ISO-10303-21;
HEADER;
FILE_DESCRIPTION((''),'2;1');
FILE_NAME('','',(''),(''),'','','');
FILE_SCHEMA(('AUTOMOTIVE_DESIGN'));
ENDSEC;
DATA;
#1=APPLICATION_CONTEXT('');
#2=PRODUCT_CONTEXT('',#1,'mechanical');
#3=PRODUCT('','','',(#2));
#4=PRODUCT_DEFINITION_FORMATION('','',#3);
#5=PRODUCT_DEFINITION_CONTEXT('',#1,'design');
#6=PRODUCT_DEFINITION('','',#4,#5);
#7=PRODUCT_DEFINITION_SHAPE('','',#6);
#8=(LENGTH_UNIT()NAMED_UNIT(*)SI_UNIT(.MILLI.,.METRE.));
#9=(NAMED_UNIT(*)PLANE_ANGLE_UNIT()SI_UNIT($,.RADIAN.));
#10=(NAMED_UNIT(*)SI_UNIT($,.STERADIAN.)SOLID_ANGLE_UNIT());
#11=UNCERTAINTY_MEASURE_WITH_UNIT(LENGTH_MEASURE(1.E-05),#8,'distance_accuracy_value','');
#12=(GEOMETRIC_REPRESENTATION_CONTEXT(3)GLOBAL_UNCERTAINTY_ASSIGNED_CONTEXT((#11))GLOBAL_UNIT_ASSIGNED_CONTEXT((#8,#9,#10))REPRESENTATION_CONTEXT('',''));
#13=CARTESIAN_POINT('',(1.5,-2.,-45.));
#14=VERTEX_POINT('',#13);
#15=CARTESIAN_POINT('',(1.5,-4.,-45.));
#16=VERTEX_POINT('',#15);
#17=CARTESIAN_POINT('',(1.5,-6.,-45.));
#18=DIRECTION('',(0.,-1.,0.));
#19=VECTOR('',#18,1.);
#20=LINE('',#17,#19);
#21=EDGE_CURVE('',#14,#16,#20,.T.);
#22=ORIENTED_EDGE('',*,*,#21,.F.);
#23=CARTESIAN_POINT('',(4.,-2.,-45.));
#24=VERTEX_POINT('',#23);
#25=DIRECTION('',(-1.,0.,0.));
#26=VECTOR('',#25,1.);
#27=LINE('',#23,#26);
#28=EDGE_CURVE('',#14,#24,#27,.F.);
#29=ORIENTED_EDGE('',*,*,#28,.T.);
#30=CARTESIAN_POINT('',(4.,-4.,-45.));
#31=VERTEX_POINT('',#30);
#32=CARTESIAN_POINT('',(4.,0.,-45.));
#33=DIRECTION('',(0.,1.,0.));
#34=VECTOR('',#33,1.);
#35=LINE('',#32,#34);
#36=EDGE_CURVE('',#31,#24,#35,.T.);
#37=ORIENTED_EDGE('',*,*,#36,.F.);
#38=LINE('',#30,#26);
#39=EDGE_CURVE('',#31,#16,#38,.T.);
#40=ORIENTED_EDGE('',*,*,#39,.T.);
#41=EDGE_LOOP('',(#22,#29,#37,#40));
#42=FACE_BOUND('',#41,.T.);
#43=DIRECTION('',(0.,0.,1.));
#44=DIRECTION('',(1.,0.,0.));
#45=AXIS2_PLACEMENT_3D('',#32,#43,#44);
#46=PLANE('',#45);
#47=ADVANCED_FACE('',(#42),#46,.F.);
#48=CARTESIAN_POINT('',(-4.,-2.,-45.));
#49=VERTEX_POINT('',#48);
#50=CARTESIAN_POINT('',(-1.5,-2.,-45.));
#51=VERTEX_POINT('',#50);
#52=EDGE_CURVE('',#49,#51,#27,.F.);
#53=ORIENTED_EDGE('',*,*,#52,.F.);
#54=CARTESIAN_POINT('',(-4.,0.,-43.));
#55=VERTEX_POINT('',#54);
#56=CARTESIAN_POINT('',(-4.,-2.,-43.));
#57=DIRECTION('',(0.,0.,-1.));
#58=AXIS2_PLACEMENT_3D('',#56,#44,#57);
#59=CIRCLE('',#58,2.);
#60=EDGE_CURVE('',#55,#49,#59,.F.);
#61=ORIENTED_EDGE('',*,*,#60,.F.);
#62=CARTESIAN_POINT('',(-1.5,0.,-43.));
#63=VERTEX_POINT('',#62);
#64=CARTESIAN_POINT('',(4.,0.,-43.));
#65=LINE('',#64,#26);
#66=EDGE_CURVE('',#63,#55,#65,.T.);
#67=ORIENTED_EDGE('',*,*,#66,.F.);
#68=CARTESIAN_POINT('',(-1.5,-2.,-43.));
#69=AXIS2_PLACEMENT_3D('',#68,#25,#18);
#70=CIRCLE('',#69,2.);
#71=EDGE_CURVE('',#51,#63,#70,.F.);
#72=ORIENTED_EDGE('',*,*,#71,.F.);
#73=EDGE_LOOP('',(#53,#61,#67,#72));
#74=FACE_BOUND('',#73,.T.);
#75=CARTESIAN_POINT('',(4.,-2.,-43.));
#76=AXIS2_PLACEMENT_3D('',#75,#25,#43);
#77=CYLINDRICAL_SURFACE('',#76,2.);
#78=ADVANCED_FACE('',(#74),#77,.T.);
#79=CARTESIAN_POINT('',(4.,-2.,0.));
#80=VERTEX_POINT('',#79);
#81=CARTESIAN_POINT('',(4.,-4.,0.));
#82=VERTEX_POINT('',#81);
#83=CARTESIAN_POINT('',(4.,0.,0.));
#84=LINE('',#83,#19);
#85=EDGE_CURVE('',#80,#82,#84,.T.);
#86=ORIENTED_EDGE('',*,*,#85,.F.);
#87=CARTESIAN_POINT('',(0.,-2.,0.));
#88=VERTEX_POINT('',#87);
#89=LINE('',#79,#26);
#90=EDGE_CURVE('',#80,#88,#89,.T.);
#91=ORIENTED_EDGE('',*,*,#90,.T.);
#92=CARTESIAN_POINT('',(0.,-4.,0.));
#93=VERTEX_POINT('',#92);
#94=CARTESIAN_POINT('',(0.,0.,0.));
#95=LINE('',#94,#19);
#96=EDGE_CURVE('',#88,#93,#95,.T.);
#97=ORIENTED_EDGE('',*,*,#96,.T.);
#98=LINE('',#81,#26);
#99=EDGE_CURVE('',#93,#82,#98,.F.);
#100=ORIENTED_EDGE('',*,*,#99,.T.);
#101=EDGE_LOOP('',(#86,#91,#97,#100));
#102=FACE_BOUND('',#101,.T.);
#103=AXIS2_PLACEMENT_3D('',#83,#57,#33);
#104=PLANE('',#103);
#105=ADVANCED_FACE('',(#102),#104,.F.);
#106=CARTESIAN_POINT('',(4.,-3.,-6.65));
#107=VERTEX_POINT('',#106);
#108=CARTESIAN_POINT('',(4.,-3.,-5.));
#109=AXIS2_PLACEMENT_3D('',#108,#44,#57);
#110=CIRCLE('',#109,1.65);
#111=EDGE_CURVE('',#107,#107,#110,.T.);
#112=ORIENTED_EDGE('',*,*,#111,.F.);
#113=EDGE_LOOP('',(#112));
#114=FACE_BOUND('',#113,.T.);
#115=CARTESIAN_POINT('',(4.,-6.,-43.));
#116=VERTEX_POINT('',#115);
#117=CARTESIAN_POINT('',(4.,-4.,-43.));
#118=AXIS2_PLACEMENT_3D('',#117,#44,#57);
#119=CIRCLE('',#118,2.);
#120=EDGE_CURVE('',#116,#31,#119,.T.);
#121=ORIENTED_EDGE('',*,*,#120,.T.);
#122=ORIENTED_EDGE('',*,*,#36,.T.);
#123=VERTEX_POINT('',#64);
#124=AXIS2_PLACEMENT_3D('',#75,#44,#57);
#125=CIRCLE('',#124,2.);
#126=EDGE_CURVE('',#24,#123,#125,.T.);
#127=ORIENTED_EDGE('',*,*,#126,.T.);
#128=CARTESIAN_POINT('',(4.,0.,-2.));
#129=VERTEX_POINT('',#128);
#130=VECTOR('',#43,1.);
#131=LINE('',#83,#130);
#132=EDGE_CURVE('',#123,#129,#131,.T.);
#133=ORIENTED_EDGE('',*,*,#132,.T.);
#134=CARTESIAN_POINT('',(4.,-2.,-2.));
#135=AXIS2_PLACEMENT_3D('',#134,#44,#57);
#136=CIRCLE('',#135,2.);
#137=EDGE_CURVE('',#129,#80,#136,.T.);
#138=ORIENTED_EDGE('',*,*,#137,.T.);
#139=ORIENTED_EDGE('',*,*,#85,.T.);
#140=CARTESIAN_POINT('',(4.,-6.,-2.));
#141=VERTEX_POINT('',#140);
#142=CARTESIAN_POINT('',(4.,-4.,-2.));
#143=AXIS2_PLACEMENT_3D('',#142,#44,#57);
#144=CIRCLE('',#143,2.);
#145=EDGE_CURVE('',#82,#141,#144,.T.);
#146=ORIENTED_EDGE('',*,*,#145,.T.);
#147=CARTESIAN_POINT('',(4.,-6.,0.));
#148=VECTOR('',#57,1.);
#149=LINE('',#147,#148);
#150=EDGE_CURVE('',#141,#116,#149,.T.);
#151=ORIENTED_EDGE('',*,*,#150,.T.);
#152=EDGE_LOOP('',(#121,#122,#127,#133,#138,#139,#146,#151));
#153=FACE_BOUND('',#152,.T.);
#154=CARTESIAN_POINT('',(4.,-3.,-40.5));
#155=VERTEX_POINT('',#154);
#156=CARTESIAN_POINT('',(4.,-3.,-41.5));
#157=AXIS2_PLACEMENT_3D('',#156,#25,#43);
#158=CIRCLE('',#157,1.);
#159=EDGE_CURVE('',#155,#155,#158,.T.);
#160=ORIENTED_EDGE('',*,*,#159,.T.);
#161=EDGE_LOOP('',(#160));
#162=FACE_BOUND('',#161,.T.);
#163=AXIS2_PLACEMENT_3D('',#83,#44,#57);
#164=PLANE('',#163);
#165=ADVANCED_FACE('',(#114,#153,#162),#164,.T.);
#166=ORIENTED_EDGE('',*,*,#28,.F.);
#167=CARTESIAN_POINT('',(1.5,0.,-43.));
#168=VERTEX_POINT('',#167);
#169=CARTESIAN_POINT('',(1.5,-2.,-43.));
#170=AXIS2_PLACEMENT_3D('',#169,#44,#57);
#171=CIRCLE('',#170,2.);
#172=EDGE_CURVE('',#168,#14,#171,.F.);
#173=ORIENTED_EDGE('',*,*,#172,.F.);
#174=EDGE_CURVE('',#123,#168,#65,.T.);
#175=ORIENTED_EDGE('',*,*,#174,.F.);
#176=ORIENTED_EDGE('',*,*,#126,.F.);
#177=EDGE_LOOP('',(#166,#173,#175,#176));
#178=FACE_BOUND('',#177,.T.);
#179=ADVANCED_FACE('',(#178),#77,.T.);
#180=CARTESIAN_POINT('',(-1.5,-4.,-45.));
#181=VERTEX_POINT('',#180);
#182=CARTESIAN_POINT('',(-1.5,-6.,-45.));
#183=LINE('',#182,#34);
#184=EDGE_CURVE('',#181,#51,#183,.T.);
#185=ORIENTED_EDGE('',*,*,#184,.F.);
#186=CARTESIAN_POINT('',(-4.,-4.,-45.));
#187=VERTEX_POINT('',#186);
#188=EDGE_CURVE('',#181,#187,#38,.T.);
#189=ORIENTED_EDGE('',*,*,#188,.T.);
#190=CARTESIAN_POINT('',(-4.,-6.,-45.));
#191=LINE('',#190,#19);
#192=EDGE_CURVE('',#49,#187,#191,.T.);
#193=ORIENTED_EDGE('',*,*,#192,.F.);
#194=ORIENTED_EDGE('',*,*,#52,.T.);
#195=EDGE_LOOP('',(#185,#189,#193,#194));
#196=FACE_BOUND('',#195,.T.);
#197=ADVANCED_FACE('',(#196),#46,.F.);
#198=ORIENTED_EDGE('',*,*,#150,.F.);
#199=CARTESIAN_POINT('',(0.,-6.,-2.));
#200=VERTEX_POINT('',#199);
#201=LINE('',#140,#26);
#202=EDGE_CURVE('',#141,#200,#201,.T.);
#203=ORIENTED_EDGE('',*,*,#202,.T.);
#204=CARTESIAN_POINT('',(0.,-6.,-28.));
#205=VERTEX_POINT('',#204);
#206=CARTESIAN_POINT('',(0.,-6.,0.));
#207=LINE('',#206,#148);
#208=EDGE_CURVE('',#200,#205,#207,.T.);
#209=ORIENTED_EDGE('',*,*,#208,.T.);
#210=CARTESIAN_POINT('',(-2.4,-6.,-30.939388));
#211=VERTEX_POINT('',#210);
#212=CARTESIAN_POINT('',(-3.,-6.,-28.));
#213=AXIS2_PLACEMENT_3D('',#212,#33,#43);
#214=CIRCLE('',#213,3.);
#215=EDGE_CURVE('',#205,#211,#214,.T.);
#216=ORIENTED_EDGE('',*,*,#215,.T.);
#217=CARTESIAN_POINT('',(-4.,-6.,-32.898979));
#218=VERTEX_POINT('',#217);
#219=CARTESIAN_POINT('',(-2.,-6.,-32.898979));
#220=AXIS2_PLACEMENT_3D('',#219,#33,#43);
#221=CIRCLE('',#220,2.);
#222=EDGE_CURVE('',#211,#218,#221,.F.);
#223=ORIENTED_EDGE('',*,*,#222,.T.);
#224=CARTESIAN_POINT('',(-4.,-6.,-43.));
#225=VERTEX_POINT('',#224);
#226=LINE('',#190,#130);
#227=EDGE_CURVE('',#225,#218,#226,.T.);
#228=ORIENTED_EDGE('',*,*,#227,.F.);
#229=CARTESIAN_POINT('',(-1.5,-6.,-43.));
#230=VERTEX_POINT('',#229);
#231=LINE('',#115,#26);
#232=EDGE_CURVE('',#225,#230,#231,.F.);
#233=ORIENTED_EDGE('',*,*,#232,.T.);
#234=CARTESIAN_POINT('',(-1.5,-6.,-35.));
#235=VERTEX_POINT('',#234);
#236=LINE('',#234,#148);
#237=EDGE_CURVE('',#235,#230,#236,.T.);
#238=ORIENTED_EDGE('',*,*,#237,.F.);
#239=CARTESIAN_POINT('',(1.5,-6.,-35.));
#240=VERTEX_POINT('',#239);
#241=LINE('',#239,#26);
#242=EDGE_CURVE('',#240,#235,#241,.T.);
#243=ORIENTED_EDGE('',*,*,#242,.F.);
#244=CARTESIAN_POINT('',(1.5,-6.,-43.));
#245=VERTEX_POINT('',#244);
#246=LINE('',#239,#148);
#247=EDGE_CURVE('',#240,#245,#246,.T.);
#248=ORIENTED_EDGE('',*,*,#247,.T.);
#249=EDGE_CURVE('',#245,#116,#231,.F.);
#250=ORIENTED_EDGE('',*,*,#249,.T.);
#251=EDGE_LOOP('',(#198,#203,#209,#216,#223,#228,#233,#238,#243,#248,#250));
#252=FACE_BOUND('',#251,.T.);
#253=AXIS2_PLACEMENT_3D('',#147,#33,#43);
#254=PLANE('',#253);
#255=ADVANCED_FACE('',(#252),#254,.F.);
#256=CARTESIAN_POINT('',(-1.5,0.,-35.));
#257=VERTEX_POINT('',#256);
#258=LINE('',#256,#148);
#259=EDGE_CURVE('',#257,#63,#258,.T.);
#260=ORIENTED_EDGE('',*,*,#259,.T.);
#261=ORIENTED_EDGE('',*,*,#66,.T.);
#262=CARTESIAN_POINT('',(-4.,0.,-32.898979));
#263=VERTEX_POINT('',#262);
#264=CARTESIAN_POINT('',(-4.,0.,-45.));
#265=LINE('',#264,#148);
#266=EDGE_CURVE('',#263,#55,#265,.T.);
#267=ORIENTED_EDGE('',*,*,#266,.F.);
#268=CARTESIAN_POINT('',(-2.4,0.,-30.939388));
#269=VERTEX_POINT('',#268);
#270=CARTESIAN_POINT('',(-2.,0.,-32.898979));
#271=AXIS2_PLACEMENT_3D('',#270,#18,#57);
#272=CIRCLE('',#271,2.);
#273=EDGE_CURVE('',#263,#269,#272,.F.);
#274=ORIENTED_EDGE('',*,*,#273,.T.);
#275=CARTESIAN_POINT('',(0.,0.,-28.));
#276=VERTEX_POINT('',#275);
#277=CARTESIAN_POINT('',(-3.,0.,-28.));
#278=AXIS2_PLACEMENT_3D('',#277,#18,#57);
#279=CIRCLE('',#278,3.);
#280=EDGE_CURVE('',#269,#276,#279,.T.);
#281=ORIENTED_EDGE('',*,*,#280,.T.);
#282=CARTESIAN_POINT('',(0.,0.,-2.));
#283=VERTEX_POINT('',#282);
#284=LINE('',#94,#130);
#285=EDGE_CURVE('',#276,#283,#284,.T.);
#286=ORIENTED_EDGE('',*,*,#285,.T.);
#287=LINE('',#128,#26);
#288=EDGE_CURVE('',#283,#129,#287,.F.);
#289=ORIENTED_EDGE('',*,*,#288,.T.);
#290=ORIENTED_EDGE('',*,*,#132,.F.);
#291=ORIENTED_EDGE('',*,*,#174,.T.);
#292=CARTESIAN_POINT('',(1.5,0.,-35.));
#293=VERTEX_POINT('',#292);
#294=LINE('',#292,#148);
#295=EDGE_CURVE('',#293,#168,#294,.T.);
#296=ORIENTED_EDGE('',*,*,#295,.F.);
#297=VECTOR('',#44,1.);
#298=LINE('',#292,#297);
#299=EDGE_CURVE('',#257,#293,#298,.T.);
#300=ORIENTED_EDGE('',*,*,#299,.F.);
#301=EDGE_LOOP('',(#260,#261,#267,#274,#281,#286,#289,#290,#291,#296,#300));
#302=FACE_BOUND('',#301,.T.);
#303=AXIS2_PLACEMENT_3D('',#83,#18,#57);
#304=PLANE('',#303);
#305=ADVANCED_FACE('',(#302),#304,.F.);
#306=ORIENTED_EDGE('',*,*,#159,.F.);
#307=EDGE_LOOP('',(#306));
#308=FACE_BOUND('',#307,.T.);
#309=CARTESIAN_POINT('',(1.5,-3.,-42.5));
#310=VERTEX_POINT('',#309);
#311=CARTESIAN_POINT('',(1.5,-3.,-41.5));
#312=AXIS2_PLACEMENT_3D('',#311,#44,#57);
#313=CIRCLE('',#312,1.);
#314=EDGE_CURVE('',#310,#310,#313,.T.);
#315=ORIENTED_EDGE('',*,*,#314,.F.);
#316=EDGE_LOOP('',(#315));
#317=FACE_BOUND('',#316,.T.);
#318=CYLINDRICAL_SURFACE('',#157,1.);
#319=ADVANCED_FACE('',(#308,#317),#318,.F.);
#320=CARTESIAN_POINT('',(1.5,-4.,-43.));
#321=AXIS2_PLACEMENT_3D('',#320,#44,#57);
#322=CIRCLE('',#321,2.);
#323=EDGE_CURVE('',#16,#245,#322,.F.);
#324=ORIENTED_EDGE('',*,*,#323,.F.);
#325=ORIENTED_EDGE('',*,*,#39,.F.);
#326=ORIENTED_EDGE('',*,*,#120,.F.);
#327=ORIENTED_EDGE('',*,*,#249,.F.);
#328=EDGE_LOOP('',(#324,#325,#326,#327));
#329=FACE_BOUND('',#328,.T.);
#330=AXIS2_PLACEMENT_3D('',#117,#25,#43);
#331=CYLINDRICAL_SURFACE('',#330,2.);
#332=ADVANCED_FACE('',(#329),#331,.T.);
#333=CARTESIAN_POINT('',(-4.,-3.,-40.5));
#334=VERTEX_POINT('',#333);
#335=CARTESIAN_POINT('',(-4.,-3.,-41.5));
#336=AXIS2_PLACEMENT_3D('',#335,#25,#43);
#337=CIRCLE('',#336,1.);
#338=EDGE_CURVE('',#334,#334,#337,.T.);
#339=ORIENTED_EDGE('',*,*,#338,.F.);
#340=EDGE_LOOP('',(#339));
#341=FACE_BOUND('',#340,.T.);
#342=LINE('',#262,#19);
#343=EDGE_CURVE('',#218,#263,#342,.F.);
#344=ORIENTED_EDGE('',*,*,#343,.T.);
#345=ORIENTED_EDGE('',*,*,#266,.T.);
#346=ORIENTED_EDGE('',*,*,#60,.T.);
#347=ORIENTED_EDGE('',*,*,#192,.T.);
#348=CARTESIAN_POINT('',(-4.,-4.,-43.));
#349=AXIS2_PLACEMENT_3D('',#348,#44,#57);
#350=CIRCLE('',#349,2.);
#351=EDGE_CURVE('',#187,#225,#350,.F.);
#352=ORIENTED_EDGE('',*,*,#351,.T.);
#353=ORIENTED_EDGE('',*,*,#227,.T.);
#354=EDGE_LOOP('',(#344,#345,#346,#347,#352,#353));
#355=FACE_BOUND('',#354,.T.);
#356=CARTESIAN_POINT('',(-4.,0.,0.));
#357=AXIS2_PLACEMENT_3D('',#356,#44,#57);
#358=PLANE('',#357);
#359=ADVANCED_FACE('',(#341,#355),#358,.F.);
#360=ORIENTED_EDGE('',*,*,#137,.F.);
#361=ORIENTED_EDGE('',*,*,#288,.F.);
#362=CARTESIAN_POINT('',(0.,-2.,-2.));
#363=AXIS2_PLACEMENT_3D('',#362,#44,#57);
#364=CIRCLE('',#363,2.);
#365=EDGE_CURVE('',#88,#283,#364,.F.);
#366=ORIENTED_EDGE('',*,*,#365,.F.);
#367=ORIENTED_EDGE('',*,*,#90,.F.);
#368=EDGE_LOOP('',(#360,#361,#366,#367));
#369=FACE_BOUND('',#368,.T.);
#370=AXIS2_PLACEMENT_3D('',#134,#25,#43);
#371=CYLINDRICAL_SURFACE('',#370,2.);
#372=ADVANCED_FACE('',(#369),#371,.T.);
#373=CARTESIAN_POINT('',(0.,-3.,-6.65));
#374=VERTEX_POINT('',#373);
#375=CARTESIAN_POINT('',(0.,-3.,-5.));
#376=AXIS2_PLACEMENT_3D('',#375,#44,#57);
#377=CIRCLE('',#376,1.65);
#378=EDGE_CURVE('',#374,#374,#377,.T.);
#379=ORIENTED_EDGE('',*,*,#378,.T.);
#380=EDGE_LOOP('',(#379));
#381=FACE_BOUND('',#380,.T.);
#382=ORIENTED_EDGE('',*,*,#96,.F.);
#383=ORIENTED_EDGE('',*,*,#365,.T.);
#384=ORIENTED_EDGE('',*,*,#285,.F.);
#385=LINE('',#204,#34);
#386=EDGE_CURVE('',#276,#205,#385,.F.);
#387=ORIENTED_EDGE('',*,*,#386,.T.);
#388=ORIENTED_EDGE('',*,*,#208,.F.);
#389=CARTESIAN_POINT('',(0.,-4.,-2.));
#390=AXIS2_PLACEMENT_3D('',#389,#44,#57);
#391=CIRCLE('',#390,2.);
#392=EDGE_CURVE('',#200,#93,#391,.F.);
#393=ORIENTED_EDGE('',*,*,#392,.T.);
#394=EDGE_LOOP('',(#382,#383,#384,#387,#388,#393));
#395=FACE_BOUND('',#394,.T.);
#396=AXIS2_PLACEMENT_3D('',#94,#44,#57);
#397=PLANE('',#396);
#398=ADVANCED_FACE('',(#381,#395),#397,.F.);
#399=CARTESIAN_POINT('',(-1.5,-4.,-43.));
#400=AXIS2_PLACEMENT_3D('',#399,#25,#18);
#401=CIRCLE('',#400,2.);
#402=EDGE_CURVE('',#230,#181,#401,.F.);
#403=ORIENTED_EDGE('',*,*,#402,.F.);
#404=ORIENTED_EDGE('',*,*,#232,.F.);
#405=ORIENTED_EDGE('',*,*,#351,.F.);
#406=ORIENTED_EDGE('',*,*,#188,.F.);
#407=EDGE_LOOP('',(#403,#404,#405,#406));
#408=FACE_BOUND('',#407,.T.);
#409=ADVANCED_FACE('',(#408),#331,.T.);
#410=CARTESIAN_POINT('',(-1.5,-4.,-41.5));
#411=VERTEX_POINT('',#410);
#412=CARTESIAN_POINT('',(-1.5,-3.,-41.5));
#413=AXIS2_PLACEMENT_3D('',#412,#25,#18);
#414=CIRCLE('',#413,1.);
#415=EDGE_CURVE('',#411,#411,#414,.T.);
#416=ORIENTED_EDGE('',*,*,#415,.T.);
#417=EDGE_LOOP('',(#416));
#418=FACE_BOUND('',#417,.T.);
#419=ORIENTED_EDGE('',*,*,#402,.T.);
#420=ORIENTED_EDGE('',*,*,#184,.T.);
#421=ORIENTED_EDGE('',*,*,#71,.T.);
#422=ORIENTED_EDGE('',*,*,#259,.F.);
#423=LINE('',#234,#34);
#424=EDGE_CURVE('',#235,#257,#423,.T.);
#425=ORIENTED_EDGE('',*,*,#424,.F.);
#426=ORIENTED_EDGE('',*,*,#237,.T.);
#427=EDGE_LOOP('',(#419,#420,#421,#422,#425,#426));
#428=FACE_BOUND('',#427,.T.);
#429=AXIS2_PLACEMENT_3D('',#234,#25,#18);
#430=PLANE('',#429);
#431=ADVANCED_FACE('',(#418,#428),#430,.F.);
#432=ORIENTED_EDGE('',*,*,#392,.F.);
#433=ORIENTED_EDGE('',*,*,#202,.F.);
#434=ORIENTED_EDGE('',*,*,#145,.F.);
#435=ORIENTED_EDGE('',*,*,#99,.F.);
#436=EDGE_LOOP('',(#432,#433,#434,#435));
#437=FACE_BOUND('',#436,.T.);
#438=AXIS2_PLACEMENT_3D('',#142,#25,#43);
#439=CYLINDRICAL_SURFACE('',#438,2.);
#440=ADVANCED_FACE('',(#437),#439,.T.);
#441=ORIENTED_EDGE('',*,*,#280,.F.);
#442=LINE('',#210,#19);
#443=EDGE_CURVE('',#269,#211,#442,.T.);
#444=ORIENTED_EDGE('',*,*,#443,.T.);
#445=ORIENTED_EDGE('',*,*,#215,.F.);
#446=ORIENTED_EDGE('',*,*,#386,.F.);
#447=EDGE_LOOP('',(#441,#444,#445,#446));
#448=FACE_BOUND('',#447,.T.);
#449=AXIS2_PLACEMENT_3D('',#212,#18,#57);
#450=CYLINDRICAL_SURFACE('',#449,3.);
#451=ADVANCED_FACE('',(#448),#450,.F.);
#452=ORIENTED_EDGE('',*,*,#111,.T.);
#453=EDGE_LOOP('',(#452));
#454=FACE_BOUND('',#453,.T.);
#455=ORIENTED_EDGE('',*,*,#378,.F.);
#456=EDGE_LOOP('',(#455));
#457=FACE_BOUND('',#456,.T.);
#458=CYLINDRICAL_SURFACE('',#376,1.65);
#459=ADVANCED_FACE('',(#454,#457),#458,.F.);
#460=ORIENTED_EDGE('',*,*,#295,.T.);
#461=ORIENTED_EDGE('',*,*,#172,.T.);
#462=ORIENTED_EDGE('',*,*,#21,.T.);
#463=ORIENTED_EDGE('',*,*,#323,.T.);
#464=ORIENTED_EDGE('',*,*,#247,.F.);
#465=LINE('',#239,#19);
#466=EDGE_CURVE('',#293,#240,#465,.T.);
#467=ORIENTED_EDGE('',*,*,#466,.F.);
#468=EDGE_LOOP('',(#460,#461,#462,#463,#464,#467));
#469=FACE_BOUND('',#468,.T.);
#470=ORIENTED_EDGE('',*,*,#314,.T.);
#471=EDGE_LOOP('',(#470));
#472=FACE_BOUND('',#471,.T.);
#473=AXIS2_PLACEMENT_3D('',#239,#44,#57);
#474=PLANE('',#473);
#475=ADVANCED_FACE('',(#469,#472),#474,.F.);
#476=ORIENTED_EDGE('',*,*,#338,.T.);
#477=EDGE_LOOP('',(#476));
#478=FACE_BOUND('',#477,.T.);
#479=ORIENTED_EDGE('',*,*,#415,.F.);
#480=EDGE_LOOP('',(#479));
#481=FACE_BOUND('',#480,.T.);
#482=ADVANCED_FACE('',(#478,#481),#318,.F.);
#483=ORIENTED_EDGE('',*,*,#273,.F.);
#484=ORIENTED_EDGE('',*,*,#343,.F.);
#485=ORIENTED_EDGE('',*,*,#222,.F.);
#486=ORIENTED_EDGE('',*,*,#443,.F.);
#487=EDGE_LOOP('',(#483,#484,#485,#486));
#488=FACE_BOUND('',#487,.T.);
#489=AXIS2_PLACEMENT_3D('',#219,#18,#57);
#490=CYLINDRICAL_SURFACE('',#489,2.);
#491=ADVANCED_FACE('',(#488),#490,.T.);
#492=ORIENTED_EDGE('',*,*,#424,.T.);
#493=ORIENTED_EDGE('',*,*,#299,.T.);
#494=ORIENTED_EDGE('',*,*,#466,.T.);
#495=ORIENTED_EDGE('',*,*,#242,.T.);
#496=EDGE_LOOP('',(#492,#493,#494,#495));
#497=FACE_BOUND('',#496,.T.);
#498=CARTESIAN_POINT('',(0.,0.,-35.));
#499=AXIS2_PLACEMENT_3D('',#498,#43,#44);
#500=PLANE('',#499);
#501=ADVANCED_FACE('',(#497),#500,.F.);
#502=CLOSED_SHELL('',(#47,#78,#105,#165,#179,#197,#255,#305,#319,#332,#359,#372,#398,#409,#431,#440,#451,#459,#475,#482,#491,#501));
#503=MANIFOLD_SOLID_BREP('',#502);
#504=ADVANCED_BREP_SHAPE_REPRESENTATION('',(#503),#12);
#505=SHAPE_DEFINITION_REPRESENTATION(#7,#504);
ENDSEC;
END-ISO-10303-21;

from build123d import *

# Parameters (mm, degrees)
SKETCH1_W           = 45
SKETCH1_H           = 6
BOSS_EXTRUDE1_DEPTH = 4
SKETCH2_R           = 1.65
CUT_EXTRUDE1_DEPTH  = 46.57411546
SKETCH4_W           = 14
SKETCH4_H           = 6
BOSS_EXTRUDE2_DEPTH = 4
SKETCH5_W           = 3
SKETCH5_H           = 6
CUT_EXTRUDE2_DEPTH  = 10
SKETCH6_R           = 1
CUT_EXTRUDE3_DEPTH  = 47.097722286
FILLET1_R           = 2
FILLET2_R           = 3
FILLET3_R           = 2
FILLET4_R           = 2


with BuildPart() as part:
    # Sketch1 → Boss-Extrude1 (new body)
    with BuildSketch(Plane(origin=(0, 0, 0), x_dir=(0, 0, -1), z_dir=(1, 0, 0))):
        with Locations((22.5, -3)):
            Rectangle(SKETCH1_W, SKETCH1_H)
    extrude(amount=BOSS_EXTRUDE1_DEPTH)

    # Sketch2 → Cut-Extrude1 (cut, through all)
    with BuildSketch(Plane(origin=(4, 0, 0), x_dir=(0, 0, -1), z_dir=(1, 0, 0))):
        with Locations((5, -3)):
            Circle(SKETCH2_R)
    extrude(amount=-CUT_EXTRUDE1_DEPTH, mode=Mode.SUBTRACT)

    # Sketch4 → Boss-Extrude2 (add)
    with BuildSketch(Plane.ZY):
        with Locations((-38, -3)):
            Rectangle(SKETCH4_W, SKETCH4_H)
    extrude(amount=BOSS_EXTRUDE2_DEPTH)

    # Sketch5 → Cut-Extrude2 (cut)
    with BuildSketch(Plane(origin=(0, 0, -45), x_dir=(-1, 0, 0), z_dir=(0, 0, -1))):
        with Locations((0, -3)):
            Rectangle(SKETCH5_W, SKETCH5_H)
    extrude(amount=-CUT_EXTRUDE2_DEPTH, mode=Mode.SUBTRACT)

    # Sketch6 → Cut-Extrude3 (cut, through all)
    with BuildSketch(Plane.ZY.offset(4)):
        with Locations((-41.5, -3)):
            Circle(SKETCH6_R)
    extrude(amount=-CUT_EXTRUDE3_DEPTH, mode=Mode.SUBTRACT)

    # Fillet1
    fillet1_edges = [part.edges().sort_by_distance(p)[0] for p in [
        (2, 0, 0),
        (2.75, 0, -45),
        (2.75, -6, -45),
        (2, -6, 0),
    ]]
    fillet(fillet1_edges, radius=FILLET1_R)

    # Fillet2
    fillet2_edges = [part.edges().sort_by_distance(p)[0] for p in [
        (0, -3, -31),
    ]]
    fillet(fillet2_edges, radius=FILLET2_R)

    # Fillet3
    fillet3_edges = [part.edges().sort_by_distance(p)[0] for p in [
        (-4, -3, -31),
    ]]
    fillet(fillet3_edges, radius=FILLET3_R)

    # Fillet4
    fillet4_edges = [part.edges().sort_by_distance(p)[0] for p in [
        (-2.75, 0, -45),
        (-2.75, -6, -45),
    ]]
    fillet(fillet4_edges, radius=FILLET4_R)


solid = part.part
